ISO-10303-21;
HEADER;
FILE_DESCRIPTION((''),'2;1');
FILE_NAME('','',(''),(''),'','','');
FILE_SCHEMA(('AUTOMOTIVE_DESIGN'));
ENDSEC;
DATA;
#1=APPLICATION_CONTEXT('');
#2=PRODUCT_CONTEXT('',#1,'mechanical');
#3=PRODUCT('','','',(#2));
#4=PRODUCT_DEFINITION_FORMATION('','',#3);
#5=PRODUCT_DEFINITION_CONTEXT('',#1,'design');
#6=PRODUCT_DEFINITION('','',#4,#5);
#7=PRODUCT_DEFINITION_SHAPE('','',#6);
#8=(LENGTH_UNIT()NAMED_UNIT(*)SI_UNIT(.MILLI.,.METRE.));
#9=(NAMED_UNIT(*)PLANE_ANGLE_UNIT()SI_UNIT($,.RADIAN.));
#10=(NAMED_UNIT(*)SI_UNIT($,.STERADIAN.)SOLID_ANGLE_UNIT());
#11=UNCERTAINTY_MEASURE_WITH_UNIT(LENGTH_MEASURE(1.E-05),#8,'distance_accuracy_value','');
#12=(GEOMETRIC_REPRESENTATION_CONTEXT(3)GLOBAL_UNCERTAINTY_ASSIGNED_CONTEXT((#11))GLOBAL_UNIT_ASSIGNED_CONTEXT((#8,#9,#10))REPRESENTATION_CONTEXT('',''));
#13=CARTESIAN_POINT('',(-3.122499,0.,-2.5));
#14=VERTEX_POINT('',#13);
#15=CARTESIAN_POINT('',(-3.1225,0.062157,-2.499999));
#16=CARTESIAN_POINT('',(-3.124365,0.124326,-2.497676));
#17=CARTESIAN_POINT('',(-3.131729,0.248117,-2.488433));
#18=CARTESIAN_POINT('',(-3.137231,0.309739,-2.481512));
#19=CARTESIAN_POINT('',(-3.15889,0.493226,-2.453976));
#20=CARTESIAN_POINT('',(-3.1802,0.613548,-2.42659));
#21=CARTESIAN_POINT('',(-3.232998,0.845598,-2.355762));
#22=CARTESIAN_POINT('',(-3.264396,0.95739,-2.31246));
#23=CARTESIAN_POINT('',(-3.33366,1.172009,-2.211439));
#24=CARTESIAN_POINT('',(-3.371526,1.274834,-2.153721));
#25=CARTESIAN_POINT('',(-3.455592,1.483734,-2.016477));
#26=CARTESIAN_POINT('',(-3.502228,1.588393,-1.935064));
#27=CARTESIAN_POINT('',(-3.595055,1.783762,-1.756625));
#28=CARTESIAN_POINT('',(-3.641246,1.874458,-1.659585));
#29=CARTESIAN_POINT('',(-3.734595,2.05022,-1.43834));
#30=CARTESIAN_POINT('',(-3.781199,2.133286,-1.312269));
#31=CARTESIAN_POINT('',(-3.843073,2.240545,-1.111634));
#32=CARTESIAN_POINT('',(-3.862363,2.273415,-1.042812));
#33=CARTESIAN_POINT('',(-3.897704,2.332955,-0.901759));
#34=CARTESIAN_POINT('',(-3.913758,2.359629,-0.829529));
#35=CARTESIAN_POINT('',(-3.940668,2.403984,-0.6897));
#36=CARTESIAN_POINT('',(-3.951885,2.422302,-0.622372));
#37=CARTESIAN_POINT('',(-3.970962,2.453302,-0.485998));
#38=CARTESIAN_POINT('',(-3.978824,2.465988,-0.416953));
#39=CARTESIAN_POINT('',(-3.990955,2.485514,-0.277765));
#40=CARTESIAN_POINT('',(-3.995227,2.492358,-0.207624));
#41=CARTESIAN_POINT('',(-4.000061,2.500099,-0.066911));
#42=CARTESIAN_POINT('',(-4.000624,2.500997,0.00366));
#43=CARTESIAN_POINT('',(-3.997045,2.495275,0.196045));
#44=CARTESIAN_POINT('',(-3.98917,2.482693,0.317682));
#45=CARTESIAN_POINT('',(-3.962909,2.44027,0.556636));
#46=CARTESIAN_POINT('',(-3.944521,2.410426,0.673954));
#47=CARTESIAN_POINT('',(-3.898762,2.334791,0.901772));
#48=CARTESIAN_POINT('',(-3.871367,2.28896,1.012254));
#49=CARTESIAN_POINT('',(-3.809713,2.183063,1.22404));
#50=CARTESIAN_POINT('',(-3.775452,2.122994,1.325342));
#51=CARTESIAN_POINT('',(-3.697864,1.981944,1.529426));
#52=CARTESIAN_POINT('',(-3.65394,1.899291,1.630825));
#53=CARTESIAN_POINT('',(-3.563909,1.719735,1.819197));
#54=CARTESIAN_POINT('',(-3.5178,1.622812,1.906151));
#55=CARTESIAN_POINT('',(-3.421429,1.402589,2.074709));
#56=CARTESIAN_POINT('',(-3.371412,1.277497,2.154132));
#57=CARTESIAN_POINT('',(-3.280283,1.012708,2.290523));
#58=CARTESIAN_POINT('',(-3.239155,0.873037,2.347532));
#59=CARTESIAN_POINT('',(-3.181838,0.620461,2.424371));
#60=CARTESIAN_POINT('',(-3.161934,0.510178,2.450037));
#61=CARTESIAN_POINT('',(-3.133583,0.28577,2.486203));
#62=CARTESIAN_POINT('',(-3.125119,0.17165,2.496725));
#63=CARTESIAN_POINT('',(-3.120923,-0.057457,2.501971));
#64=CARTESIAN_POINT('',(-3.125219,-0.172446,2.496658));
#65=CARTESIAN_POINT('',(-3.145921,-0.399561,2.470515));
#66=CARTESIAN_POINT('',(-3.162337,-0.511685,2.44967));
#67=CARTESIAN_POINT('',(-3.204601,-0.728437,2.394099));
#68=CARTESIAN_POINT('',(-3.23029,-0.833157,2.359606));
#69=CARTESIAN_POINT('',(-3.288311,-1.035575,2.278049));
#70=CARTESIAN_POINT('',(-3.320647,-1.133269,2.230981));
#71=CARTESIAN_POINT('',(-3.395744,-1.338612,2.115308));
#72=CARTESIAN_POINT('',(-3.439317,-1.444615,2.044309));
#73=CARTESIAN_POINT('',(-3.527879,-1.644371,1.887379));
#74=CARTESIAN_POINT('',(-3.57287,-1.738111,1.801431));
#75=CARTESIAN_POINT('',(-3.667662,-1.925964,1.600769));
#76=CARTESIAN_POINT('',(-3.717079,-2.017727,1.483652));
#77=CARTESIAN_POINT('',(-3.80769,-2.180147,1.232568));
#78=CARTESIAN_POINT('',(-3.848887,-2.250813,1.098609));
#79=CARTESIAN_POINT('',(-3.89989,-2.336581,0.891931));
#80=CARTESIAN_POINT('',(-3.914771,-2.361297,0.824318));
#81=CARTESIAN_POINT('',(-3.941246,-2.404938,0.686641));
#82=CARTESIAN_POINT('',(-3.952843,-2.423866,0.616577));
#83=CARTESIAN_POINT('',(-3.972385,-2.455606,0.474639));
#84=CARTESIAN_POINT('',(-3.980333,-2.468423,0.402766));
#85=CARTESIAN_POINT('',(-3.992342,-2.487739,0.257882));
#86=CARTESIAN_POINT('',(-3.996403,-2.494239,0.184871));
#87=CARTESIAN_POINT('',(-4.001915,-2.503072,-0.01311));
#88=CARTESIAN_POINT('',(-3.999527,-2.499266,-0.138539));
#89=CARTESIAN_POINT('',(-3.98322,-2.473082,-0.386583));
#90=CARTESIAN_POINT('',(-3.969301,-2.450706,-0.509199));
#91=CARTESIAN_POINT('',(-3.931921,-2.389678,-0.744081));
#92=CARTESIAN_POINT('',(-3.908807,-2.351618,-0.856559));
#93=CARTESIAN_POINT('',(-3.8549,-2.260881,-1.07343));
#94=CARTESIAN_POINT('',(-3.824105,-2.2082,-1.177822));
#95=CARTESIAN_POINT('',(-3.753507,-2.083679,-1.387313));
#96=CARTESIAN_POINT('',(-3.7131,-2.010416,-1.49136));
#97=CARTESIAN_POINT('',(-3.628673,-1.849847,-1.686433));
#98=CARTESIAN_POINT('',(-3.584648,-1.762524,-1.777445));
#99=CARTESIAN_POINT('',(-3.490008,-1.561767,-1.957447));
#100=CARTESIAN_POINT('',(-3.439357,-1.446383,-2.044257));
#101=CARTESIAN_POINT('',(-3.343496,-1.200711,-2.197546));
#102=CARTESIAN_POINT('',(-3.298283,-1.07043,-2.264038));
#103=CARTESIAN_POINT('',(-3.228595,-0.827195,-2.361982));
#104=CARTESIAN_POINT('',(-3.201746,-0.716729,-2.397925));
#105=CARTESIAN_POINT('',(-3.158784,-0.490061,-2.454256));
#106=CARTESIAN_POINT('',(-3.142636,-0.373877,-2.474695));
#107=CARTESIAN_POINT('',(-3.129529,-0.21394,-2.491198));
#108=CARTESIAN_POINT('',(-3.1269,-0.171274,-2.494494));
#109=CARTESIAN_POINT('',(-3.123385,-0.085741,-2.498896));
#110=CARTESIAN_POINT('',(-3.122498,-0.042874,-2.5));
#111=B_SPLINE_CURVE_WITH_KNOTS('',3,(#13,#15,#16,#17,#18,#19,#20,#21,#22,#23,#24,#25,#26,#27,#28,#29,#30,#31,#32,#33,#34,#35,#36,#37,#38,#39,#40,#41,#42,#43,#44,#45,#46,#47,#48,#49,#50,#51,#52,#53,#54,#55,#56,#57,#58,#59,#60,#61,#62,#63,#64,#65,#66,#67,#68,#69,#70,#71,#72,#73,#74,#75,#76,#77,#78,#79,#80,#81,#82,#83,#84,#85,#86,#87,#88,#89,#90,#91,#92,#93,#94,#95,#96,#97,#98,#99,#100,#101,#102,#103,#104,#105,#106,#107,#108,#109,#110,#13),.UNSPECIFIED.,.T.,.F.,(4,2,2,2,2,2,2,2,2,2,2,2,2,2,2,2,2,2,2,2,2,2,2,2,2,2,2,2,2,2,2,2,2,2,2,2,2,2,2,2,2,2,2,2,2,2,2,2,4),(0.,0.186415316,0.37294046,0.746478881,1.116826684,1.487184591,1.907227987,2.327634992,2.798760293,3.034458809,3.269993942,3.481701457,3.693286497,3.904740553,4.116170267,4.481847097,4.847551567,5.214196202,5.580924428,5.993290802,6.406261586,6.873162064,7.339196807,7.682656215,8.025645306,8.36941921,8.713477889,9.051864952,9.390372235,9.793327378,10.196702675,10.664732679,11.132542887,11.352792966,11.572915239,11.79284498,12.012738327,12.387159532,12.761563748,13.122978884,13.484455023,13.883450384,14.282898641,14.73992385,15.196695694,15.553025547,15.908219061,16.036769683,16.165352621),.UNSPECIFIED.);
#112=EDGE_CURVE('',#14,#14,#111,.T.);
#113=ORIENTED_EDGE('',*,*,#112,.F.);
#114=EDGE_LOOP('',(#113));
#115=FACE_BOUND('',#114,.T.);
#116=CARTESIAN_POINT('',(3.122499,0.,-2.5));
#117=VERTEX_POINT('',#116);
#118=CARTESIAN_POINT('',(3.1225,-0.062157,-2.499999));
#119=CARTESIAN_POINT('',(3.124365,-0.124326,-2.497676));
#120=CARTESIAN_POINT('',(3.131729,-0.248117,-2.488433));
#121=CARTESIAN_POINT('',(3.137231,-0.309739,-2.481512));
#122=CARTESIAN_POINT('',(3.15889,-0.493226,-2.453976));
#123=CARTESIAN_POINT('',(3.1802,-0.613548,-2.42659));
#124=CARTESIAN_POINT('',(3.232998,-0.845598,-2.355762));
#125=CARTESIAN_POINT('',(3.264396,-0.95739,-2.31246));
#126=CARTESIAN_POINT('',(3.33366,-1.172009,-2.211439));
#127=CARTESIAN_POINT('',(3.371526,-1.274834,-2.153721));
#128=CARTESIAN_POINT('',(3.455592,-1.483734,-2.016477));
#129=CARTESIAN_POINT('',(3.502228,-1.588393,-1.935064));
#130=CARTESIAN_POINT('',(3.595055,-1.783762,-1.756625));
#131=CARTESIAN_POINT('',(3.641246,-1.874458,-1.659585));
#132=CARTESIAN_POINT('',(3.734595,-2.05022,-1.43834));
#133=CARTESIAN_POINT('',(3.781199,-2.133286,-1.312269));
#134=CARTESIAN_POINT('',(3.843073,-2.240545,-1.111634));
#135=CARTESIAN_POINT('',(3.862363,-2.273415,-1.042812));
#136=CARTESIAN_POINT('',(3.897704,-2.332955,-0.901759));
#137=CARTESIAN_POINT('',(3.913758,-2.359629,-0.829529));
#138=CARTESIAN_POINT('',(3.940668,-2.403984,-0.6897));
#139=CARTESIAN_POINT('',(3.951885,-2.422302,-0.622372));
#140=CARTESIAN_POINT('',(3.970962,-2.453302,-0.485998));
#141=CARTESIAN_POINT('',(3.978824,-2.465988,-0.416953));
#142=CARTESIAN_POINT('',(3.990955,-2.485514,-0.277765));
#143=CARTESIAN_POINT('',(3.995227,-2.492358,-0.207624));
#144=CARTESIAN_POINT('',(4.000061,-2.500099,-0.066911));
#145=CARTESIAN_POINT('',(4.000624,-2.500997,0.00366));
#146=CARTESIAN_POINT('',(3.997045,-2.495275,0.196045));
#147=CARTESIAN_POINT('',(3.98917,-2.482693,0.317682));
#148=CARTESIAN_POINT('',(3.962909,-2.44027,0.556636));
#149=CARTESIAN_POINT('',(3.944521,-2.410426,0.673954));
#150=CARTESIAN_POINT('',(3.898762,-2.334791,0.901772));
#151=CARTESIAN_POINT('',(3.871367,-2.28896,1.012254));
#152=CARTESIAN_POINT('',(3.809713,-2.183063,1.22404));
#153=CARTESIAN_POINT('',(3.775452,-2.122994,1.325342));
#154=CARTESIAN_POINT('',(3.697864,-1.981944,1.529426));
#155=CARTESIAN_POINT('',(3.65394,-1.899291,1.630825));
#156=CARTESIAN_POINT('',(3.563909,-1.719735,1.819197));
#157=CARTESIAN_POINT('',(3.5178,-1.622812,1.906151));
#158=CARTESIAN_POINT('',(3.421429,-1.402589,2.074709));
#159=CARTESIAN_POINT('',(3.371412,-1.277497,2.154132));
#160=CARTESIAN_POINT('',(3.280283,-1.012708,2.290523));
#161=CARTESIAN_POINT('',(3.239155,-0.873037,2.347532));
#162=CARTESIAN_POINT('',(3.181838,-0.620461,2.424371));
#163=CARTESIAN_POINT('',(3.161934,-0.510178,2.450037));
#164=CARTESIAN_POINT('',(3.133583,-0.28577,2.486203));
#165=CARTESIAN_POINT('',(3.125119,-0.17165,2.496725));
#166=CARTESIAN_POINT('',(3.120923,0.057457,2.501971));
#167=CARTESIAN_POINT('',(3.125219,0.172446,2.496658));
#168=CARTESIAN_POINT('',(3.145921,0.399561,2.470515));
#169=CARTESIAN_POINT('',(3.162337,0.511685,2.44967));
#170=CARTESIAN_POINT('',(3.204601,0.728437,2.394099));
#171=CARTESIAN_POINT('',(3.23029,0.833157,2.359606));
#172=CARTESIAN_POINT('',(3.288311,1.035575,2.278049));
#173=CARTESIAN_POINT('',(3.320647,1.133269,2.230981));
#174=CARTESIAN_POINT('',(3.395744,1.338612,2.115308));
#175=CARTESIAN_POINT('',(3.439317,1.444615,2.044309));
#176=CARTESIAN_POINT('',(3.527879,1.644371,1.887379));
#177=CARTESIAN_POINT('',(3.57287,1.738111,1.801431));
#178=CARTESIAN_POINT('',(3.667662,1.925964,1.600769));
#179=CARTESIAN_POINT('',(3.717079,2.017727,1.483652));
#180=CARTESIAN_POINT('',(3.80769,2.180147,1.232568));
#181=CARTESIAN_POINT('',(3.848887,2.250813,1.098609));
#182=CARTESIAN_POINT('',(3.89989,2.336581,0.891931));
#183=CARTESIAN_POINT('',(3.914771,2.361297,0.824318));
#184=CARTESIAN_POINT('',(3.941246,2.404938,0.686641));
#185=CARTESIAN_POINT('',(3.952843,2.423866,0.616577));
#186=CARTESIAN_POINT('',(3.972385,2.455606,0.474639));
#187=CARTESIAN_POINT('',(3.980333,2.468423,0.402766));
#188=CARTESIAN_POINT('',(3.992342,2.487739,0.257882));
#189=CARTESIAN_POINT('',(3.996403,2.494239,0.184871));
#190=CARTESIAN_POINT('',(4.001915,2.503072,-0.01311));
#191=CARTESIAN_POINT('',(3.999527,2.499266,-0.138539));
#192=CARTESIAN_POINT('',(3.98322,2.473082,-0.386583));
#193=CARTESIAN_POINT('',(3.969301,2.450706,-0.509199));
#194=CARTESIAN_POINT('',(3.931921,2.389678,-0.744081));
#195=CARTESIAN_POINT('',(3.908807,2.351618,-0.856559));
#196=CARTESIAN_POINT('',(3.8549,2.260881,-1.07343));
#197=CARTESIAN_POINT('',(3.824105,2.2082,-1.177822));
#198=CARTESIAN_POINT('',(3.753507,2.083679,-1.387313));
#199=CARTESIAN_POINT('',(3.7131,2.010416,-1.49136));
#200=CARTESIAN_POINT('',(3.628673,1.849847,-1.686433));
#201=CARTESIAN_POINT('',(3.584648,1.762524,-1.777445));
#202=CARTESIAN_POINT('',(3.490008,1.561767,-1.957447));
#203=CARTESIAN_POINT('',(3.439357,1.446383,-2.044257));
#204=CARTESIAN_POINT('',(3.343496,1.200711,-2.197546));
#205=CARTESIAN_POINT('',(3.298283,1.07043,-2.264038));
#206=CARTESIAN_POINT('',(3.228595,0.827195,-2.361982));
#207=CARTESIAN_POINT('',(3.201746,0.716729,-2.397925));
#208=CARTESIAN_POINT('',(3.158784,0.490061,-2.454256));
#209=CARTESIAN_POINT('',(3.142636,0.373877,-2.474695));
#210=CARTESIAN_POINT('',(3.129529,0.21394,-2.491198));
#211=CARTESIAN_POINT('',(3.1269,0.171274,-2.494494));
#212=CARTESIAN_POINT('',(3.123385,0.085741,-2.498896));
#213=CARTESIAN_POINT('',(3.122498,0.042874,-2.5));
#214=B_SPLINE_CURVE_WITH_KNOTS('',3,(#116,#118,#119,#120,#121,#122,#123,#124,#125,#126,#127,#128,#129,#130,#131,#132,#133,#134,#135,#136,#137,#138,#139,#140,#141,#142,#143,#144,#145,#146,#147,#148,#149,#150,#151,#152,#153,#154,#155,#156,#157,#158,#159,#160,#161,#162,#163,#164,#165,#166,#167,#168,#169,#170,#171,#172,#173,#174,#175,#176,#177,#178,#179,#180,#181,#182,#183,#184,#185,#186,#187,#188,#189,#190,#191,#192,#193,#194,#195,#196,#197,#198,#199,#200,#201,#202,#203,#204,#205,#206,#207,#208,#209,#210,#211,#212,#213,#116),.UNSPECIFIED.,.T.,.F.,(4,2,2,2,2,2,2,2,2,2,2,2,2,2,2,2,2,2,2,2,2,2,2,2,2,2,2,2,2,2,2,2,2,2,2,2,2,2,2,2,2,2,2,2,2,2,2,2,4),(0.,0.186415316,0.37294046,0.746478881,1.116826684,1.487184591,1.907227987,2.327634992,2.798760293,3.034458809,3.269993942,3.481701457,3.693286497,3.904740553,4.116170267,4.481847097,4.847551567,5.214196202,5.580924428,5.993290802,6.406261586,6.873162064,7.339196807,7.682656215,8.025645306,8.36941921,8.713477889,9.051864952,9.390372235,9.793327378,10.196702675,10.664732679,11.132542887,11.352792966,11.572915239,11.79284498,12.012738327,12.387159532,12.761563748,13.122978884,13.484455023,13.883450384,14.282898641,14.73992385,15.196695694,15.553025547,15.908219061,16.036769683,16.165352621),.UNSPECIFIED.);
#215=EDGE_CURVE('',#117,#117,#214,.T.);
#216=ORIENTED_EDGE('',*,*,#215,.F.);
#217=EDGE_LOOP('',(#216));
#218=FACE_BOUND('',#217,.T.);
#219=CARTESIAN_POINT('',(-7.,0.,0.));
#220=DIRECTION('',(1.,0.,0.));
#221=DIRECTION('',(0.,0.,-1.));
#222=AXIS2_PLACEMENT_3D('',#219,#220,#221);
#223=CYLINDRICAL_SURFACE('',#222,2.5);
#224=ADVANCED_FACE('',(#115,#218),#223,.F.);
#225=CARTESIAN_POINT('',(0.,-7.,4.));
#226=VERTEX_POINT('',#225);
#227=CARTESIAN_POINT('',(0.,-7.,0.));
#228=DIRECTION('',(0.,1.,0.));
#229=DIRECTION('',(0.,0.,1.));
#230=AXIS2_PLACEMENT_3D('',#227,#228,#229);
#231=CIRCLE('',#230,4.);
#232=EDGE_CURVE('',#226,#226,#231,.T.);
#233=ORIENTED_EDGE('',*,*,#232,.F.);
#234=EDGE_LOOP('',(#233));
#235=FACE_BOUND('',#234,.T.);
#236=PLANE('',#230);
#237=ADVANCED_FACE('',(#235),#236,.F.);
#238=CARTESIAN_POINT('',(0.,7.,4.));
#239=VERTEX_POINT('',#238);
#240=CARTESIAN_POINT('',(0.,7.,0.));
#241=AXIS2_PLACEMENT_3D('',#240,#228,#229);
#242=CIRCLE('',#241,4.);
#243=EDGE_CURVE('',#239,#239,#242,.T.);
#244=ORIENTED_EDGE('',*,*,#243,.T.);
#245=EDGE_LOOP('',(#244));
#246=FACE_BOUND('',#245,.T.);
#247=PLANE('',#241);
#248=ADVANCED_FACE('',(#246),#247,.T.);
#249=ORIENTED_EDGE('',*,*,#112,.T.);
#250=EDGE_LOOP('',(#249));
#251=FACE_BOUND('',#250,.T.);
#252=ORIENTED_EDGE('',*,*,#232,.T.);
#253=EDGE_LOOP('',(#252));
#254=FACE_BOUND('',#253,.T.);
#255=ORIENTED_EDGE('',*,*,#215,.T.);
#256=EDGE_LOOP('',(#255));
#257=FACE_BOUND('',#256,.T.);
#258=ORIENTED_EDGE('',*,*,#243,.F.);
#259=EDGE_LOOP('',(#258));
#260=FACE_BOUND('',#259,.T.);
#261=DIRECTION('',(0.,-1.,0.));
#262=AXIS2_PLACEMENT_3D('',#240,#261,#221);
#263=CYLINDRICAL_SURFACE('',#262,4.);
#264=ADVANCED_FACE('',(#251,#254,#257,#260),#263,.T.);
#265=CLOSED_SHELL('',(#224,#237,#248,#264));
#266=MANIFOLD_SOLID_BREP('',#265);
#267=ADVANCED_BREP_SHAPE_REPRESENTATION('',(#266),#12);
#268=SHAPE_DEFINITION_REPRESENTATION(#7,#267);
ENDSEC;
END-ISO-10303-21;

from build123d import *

# Parameters (mm, degrees)
SKETCH1_R           = 4
BOSS_EXTRUDE1_DEPTH = 7
SKETCH2_R           = 2.5
CUT_EXTRUDE1_DEPTH  = 7


with BuildPart() as part:
    # Sketch1 → Boss-Extrude1 (new, symmetric)
    with BuildSketch(Plane(origin=(0, 0, 0), x_dir=(1, 0, 0), z_dir=(0, 1, 0))):
        with Locations(Location((0, 0, 0), (0, 0, 270))):
            Circle(SKETCH1_R)
    extrude(amount=BOSS_EXTRUDE1_DEPTH, both=True)

    # Sketch2 → Cut-Extrude1 (cut, symmetric)
    with BuildSketch(Plane(origin=(0, 0, 0), x_dir=(0, 0, -1), z_dir=(1, 0, 0))):
        Circle(SKETCH2_R)
    extrude(amount=CUT_EXTRUDE1_DEPTH, both=True, mode=Mode.SUBTRACT)


solid = part.part
